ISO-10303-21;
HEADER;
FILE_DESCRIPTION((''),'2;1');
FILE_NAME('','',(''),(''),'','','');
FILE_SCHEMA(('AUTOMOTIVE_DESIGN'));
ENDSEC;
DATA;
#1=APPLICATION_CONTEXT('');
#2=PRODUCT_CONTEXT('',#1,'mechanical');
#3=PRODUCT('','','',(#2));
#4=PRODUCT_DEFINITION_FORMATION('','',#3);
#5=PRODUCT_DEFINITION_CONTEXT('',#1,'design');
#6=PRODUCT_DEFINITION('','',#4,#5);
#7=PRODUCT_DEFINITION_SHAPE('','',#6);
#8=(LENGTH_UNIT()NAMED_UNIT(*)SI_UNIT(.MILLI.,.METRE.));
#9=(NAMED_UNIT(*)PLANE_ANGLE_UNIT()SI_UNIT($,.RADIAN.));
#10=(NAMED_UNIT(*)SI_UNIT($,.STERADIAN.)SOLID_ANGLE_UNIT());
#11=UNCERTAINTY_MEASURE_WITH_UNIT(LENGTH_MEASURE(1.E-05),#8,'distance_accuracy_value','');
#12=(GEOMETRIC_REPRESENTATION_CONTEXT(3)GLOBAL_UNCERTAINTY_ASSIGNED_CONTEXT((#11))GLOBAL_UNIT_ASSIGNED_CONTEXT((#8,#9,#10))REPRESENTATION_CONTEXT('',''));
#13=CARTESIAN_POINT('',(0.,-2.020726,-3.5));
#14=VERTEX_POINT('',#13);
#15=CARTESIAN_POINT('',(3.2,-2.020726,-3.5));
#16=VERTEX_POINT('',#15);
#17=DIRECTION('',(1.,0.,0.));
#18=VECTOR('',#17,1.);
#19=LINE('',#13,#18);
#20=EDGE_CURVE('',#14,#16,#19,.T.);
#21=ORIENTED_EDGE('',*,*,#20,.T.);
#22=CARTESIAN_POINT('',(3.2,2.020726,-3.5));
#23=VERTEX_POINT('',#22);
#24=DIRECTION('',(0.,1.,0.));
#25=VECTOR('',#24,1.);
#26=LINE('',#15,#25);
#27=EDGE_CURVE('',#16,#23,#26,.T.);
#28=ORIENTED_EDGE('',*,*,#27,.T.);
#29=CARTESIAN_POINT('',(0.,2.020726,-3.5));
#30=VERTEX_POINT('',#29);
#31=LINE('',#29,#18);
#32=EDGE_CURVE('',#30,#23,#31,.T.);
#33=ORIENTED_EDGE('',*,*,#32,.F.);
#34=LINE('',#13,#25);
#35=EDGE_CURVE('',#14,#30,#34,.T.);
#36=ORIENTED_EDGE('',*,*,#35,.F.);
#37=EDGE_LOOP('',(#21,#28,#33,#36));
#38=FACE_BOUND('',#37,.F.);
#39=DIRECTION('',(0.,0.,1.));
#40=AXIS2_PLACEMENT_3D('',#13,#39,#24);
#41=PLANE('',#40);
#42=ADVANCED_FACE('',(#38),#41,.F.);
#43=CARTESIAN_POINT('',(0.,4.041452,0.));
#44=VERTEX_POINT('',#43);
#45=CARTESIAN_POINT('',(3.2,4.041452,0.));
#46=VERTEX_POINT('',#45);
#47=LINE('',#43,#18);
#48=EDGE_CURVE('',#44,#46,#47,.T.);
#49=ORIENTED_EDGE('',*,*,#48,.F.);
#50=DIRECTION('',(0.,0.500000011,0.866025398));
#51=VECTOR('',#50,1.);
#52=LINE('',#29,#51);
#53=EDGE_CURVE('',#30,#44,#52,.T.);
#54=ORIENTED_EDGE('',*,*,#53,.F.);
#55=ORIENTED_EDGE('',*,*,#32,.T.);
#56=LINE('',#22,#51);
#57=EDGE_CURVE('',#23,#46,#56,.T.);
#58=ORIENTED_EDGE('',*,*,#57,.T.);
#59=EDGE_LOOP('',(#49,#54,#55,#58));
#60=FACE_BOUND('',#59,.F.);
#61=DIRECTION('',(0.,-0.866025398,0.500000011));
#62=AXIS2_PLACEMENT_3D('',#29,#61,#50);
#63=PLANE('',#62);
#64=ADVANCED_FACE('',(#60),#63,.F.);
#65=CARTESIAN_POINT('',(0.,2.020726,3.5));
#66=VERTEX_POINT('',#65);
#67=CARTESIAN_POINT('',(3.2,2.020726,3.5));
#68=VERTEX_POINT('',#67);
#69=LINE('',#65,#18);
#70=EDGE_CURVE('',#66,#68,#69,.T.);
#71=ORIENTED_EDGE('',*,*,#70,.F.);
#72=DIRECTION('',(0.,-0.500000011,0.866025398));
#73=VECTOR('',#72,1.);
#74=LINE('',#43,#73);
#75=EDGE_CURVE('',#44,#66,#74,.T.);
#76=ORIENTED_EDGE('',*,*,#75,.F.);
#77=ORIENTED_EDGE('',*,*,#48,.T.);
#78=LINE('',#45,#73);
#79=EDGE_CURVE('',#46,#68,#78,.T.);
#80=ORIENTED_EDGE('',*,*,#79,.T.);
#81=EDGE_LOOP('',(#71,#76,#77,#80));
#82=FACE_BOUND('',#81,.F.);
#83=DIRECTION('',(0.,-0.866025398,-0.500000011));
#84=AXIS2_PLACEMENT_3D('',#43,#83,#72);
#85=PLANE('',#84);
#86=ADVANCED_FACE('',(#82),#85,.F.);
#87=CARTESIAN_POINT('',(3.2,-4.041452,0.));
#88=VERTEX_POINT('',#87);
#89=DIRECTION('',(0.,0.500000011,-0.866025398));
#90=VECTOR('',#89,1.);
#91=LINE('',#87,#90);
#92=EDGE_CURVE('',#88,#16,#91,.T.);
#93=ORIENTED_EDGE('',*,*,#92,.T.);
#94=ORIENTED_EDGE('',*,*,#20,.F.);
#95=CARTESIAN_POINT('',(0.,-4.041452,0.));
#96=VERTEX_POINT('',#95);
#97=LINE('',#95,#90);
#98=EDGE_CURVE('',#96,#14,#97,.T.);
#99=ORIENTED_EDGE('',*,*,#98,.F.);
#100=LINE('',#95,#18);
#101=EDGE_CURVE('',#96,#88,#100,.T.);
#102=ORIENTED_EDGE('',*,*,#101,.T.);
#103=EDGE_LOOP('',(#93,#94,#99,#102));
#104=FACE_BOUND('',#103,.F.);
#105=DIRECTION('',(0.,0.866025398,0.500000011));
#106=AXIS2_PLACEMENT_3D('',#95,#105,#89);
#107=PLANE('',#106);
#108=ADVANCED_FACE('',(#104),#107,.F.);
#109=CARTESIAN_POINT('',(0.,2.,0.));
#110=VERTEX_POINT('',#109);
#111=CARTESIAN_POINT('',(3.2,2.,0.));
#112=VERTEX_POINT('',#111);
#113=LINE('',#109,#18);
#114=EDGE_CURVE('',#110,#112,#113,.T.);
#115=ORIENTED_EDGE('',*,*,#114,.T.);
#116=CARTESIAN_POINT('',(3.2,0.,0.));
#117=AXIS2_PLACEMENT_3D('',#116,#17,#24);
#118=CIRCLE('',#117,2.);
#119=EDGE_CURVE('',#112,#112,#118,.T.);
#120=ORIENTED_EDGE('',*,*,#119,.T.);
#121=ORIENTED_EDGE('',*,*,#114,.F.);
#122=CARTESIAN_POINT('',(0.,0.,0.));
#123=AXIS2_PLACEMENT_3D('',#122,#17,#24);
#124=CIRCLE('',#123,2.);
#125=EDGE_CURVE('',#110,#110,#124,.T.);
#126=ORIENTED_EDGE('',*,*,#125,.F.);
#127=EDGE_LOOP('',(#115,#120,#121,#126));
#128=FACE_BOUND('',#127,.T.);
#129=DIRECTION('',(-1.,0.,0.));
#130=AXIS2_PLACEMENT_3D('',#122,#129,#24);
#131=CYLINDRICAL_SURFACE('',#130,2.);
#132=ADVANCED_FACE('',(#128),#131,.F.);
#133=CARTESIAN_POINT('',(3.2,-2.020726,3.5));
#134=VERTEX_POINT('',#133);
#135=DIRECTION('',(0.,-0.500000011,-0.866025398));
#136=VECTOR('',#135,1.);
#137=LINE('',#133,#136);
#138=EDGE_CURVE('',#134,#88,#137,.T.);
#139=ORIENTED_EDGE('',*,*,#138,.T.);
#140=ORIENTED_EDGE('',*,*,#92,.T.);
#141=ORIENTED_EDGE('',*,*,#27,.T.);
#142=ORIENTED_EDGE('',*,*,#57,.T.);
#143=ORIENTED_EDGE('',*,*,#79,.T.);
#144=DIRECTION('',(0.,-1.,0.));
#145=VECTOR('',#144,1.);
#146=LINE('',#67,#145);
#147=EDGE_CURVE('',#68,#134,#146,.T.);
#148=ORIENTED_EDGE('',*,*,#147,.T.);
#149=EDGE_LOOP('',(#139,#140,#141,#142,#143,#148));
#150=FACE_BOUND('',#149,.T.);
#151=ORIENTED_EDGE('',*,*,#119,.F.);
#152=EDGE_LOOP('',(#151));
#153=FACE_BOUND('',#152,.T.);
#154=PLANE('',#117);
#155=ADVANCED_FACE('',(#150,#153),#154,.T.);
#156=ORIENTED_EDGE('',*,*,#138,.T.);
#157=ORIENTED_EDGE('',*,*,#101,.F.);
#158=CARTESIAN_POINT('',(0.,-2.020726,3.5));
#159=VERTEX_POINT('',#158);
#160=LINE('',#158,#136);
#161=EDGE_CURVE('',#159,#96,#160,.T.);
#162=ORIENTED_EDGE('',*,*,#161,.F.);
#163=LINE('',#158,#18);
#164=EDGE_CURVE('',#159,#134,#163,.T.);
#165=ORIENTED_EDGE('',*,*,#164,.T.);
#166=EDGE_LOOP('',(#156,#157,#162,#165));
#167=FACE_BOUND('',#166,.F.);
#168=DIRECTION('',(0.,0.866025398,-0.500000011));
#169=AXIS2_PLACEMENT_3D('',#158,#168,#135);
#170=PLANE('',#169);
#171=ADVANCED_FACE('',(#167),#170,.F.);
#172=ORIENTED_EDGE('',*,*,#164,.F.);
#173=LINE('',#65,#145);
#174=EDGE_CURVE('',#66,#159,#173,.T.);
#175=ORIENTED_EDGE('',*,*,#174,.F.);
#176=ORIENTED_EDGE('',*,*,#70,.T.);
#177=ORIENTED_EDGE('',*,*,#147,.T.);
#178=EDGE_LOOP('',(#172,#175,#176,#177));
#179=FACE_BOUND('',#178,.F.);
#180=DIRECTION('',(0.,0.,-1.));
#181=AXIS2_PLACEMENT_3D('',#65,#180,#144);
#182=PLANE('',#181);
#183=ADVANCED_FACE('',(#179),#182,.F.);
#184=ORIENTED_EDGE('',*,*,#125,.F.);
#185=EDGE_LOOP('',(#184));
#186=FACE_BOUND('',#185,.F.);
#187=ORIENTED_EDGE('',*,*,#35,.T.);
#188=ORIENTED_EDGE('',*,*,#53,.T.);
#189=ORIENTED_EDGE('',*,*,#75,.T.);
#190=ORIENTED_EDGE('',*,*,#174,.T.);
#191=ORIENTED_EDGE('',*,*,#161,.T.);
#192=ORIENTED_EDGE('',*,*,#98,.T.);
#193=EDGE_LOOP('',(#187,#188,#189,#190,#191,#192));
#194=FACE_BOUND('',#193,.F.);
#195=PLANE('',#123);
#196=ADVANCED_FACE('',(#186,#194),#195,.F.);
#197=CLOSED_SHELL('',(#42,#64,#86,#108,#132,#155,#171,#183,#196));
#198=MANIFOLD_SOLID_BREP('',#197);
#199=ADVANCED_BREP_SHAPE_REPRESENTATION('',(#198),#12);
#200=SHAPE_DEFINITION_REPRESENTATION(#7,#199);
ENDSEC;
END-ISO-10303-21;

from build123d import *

# Parameters (mm, degrees)
F0_R     = 2
F1_DEPTH = 3.2


with BuildPart() as f1:
    # F0 (on Right) → F1 (new body)
    with BuildSketch(Plane.YZ):
        Polygon((2.020726, 3.5), (-2.020726, 3.5), (-4.041452, 0), (-2.020726, -3.5), (2.020726, -3.5), (4.041452, 0), align=None)
        Circle(F0_R, mode=Mode.SUBTRACT)
    extrude(amount=F1_DEPTH)


solid = f1.part
